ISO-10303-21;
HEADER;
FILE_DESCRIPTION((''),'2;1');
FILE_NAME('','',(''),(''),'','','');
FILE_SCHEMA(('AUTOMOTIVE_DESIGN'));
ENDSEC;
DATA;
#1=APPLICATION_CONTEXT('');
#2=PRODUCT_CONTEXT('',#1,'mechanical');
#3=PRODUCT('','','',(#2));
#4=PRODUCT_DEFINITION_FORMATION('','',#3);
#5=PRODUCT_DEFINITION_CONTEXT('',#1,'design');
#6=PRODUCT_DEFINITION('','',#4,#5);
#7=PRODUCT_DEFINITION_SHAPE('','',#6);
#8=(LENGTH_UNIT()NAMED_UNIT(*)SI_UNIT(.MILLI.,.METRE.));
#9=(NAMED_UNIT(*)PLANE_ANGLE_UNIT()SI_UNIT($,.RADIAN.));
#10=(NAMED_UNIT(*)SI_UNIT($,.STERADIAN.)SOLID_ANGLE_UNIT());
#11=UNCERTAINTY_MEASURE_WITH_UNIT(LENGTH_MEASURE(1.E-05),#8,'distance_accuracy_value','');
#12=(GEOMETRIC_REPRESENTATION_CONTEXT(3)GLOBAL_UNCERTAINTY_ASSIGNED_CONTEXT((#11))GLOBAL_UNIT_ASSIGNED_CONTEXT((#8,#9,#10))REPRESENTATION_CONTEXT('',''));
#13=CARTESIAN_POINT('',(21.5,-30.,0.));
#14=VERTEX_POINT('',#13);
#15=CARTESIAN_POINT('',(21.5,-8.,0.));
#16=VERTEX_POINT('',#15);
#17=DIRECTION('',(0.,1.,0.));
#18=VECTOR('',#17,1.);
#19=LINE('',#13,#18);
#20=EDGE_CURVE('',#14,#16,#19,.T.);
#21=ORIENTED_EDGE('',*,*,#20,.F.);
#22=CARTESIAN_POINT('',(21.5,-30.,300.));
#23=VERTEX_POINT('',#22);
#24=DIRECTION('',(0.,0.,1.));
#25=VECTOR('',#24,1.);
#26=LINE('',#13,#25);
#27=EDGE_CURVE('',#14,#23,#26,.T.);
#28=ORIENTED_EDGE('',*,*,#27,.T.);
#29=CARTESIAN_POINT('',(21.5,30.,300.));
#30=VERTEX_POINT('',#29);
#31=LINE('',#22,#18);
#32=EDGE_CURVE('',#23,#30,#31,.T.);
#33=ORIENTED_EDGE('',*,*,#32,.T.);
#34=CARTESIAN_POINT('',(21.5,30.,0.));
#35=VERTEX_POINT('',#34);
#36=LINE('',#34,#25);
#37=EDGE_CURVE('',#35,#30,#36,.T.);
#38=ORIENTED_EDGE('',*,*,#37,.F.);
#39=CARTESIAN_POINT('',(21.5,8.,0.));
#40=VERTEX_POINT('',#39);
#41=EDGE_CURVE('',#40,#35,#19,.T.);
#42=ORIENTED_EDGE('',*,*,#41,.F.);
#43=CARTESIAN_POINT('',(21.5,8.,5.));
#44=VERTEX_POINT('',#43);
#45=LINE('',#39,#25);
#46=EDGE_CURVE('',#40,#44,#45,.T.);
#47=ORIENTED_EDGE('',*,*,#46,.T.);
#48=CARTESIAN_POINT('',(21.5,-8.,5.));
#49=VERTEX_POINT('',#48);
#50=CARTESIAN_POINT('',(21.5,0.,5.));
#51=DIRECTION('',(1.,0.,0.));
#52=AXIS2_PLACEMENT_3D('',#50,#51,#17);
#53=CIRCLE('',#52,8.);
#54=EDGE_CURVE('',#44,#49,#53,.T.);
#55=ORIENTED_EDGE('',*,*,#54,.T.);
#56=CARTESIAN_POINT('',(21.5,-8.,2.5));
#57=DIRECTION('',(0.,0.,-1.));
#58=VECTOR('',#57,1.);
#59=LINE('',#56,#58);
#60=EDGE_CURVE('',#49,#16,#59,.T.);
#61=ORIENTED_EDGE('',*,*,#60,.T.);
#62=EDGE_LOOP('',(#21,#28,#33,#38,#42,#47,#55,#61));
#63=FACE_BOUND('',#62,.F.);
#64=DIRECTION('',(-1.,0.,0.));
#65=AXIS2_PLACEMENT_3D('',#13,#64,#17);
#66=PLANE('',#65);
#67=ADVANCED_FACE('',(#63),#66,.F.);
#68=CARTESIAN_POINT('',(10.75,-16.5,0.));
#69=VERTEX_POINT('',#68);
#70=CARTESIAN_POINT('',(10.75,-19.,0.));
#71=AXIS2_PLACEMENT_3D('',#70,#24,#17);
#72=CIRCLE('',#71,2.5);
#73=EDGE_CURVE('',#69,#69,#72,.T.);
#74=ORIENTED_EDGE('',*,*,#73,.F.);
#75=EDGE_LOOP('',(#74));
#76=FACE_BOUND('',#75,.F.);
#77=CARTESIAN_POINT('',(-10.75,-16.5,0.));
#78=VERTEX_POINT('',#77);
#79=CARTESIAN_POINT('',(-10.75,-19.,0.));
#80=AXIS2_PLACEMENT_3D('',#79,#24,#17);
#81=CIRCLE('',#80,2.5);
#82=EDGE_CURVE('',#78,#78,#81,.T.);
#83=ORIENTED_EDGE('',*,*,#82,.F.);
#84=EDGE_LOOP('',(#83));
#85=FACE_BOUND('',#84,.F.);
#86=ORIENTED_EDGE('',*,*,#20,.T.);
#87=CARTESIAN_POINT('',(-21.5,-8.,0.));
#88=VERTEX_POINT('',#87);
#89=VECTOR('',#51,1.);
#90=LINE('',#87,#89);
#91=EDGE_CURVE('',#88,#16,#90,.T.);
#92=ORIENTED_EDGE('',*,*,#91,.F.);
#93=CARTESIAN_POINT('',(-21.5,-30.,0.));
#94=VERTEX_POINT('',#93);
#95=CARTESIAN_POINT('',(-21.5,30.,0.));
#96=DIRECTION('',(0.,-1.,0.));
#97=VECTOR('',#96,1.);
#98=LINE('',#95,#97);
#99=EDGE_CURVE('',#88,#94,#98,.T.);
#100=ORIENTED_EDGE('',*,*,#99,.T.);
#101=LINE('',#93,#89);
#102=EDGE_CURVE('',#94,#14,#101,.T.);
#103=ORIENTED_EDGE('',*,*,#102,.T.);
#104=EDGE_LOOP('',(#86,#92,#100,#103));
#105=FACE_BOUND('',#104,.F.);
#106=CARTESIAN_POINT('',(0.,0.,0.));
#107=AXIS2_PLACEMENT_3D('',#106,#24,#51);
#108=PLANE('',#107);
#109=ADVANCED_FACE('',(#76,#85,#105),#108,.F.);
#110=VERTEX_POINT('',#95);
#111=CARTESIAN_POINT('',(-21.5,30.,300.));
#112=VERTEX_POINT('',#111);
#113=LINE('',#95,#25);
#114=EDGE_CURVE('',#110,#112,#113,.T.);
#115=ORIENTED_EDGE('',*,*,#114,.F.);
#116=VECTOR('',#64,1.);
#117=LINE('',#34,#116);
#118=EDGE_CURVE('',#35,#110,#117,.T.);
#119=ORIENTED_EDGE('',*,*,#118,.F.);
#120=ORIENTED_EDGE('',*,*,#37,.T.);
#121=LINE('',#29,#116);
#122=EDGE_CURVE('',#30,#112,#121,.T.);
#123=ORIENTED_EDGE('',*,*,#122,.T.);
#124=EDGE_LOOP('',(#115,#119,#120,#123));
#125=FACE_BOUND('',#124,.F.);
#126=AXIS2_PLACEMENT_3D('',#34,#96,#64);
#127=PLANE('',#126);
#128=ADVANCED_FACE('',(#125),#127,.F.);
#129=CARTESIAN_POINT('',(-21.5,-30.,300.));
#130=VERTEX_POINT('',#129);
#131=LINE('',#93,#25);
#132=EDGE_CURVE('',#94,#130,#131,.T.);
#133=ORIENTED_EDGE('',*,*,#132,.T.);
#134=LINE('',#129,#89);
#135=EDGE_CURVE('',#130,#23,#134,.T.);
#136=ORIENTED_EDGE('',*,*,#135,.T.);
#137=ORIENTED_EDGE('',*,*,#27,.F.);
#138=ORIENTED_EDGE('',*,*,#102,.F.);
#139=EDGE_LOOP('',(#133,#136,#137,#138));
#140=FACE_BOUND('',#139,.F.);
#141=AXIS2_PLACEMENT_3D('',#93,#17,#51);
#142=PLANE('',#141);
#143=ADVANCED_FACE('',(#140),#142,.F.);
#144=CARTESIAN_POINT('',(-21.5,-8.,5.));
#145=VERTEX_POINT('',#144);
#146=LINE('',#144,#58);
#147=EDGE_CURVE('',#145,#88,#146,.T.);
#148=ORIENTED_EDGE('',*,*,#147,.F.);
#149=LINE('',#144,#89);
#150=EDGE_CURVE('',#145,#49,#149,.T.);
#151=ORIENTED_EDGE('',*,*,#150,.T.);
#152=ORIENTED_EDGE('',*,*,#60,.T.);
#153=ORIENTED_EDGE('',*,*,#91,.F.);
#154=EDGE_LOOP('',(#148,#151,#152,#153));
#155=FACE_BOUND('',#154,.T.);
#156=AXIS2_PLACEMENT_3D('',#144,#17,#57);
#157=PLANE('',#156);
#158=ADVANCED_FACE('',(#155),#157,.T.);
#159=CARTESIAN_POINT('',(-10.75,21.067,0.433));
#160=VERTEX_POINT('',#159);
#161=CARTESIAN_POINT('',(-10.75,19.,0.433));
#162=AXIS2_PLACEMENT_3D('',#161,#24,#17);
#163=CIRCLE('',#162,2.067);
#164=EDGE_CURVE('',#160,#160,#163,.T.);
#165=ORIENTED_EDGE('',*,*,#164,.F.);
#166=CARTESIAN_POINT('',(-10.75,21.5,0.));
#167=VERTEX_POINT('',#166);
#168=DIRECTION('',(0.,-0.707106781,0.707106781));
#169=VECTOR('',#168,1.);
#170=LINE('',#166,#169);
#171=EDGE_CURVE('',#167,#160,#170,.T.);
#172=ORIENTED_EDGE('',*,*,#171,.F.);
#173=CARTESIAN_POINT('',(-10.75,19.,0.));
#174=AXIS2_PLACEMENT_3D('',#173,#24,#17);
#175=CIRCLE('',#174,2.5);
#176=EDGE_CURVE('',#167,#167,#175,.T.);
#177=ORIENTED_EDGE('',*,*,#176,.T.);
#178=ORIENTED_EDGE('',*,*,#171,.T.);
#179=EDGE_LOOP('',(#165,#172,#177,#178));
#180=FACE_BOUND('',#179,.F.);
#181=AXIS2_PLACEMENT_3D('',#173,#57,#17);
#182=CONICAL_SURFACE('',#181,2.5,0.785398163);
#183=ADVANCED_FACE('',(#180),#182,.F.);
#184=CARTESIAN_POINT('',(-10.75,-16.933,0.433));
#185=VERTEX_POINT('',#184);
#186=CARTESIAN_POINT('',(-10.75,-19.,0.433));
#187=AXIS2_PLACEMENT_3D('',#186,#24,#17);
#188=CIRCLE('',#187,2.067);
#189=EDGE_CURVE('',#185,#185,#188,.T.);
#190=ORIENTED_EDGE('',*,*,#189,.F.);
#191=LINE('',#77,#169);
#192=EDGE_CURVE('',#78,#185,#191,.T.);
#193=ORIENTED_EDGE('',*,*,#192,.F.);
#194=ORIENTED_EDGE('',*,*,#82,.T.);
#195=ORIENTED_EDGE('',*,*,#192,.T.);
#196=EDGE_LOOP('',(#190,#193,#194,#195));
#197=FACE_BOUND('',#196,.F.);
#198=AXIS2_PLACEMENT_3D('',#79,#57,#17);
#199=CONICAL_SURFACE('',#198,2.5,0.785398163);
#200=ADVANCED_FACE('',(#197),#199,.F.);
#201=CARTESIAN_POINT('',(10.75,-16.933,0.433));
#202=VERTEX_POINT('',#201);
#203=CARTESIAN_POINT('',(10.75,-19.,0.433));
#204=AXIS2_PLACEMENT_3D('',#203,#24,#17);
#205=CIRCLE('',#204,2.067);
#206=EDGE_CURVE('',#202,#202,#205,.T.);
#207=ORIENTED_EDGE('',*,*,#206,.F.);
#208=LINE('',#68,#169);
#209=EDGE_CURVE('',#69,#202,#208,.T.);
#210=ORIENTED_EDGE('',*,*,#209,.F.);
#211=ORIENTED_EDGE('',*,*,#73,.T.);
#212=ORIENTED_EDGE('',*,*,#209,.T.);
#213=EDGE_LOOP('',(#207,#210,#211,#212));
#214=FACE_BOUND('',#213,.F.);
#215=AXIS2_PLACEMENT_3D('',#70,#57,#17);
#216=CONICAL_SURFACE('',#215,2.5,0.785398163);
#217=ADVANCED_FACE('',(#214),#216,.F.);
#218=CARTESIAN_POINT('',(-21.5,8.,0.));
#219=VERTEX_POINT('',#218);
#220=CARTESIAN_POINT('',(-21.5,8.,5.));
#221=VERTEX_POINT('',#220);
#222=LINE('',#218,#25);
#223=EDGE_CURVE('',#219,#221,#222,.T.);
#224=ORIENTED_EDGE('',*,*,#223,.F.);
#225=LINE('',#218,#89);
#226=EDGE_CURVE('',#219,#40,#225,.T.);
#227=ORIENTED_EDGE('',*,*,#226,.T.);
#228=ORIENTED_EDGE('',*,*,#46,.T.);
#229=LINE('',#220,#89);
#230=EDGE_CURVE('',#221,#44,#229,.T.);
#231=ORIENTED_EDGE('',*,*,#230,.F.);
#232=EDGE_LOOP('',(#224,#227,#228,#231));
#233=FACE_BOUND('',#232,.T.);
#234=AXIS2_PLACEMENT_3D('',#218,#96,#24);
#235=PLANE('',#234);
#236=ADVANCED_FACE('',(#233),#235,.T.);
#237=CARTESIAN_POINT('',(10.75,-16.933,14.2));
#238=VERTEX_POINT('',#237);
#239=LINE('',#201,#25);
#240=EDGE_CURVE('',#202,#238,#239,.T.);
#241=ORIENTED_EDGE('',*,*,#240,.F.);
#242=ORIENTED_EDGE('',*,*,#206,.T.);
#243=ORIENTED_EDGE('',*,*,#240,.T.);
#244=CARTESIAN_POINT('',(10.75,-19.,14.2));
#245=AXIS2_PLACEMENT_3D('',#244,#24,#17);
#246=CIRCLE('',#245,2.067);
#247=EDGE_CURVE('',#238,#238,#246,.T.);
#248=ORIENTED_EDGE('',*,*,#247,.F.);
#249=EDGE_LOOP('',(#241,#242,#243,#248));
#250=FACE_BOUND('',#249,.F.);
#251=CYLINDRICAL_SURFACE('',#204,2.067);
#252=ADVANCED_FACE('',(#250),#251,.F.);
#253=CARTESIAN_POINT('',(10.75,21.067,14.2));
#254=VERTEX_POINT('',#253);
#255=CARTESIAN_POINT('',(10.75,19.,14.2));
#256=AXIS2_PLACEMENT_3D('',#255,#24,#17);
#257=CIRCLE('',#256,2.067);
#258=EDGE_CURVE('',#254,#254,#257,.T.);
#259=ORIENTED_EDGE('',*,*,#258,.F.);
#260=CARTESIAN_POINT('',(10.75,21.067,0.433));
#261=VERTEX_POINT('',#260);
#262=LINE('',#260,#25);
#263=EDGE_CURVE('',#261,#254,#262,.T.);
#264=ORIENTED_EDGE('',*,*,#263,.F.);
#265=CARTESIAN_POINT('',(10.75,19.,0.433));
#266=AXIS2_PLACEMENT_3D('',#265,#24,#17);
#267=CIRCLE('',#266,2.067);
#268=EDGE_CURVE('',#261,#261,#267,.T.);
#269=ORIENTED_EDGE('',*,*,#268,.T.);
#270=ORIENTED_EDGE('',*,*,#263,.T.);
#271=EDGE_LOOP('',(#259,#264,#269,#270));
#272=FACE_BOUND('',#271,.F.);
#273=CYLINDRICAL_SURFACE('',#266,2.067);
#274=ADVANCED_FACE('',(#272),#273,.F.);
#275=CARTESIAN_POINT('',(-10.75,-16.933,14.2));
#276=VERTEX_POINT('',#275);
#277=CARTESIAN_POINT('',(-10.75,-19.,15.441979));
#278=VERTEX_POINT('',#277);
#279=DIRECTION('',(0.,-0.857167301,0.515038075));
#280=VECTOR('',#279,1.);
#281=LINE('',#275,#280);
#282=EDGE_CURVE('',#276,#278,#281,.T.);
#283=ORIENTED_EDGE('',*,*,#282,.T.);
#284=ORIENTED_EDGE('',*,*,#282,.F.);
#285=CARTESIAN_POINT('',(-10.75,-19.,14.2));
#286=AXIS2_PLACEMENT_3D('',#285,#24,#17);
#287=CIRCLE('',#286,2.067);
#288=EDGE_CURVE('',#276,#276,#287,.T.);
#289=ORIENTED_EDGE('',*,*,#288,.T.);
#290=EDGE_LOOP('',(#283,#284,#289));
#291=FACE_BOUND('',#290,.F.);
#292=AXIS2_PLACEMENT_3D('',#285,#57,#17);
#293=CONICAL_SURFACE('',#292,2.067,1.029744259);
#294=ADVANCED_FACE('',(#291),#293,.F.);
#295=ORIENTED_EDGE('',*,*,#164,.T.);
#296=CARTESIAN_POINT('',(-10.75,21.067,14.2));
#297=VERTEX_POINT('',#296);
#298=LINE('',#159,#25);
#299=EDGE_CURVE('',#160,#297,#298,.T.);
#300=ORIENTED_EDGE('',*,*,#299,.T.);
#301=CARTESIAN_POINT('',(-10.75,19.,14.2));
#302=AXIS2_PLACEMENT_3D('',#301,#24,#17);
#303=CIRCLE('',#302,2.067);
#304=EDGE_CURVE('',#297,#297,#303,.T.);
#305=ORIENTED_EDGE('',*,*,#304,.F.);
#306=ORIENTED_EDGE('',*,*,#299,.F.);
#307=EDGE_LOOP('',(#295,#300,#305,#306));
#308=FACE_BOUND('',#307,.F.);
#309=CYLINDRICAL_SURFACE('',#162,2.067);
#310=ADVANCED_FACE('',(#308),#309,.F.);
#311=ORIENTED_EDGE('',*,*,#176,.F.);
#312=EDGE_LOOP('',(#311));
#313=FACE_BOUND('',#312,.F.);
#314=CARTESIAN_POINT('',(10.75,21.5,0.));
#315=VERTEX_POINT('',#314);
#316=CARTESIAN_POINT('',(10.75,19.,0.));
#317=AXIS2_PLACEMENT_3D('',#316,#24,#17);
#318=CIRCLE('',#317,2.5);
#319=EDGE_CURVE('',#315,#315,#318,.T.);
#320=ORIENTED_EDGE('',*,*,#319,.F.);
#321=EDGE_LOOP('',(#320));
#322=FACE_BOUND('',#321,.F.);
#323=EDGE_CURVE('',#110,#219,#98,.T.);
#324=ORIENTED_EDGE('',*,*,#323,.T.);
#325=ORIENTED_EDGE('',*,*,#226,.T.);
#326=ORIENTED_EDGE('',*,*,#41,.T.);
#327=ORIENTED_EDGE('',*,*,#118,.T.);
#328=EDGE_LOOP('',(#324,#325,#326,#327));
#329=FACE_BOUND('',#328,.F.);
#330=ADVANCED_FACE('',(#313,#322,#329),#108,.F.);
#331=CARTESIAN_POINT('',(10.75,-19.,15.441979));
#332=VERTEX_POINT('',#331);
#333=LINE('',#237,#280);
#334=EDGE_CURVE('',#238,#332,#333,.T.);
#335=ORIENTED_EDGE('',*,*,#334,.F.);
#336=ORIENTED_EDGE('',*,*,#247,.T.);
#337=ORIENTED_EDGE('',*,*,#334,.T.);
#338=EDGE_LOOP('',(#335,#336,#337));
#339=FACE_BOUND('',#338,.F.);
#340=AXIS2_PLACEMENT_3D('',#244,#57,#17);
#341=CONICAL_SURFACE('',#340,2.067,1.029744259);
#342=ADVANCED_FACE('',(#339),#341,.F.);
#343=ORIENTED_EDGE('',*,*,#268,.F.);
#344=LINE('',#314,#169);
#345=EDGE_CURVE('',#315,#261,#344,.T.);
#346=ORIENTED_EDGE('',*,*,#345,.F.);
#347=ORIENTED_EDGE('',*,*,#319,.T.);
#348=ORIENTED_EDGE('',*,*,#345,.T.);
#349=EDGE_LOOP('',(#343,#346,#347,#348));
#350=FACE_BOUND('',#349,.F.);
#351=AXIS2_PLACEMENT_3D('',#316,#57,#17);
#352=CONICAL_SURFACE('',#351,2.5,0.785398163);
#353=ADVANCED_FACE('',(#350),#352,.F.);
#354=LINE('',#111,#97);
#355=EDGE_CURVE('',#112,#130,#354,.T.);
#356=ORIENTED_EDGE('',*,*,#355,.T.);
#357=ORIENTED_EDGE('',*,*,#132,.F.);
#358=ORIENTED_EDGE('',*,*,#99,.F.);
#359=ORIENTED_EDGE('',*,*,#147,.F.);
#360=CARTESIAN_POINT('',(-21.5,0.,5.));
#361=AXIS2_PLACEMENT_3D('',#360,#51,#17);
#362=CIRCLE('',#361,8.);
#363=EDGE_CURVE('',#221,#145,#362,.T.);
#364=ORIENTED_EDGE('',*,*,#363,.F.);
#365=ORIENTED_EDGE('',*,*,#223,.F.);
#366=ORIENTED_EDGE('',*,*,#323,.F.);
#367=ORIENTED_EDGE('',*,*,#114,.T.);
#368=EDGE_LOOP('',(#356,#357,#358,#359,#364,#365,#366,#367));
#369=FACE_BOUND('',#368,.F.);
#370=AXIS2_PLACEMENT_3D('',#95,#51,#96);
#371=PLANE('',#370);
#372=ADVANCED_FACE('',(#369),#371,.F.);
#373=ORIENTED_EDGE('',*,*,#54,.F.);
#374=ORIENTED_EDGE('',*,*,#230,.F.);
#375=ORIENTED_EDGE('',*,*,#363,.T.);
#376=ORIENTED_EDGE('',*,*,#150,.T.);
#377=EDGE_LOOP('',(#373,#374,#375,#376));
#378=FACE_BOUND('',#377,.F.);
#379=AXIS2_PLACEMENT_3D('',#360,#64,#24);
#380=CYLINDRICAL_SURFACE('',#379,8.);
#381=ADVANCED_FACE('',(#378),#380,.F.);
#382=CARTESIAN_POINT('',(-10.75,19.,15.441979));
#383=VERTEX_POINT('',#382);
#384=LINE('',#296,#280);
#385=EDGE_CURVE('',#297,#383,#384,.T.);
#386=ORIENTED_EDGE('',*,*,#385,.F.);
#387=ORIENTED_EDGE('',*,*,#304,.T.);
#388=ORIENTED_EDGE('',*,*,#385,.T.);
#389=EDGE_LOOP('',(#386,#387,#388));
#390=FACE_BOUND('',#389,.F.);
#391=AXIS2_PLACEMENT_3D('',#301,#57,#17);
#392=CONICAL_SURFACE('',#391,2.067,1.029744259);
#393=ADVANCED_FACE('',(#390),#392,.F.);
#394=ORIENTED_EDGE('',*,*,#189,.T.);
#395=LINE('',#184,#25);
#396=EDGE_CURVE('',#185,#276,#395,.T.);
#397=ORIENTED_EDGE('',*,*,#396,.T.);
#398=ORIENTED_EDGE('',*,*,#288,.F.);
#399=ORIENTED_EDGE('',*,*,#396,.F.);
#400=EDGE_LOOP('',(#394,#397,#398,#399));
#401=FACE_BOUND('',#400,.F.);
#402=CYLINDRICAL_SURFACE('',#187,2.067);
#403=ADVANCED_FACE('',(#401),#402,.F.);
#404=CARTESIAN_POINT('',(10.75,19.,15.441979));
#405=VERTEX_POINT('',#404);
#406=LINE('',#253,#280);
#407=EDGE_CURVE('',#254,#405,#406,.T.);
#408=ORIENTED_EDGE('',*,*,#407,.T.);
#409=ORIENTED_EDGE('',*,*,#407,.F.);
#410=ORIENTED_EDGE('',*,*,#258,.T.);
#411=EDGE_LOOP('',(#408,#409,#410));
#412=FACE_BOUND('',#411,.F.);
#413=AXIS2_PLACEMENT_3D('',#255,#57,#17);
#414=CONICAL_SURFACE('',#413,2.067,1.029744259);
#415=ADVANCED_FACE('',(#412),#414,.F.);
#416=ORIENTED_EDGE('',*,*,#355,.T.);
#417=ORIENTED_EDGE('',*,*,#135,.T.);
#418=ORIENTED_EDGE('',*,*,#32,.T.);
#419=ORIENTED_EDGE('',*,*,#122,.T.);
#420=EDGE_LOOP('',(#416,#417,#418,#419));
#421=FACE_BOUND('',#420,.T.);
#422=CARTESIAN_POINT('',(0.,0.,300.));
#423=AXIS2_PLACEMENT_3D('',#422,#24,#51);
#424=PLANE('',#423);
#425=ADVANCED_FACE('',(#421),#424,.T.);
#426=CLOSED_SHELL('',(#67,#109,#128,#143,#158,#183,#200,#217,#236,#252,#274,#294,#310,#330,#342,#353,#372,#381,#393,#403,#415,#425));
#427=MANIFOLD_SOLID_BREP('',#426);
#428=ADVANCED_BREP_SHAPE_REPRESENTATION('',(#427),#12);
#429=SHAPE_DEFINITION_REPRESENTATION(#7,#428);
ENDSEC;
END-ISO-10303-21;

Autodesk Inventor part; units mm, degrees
ref_plane "YZ Plane" through (0, 0, 0) normal (1, 0, 0) x (0, 1, 0)
ref_plane "XZ Plane" through (0, 0, 0) normal (0, 1, 0) x (-1, 0, 0)
ref_plane "XY Plane" through (0, 0, 0) normal (0, 0, 1) x (1, 0, 0)
sketch "Sketch1" plane through (0, 0, 0) normal (0, 0, 1) x (1, 0, 0)
  line L0 (-30.1, 0) -> (30.1, 0) construction
  line L1 (0, 42) -> (0, -42) construction
  line L2 (-21.5, -30) -> (21.5, -30)
  line L3 (21.5, -30) -> (21.5, 30)
  line L4 (21.5, 30) -> (-21.5, 30)
  line L5 (-21.5, 30) -> (-21.5, -30)
  line L6 (-21.5, -30) -> (21.5, 30) construction
  line L7 (21.5, -30) -> (-21.5, 30) construction
  point P0 (0, 0)
  dimension "d0" = 43
  dimension "d1" = 60
extrude "Extrusion1" add sketch "Sketch1" along normal blind 300
sketch "Sketch4" plane through (-21.5, -30, 0) normal (-1, 0, 0) x (0, 0, 1)
  line L0 (0, 60) -> (0, 0) construction
  line L1 (-60, 30) -> (360, 30) construction
  line L2 (0, 38) -> (5, 38)
  line L3 (13, 30) -> (13, 30)
  line L4 (5, 22) -> (0, 22)
  line L5 (0, 22) -> (0, 38)
  arc A0 (13, 30) -> (5, 38) centre (5, 30) ccw
  arc A1 (5, 22) -> (13, 30) centre (5, 30) ccw
  point P0 (0, 30)
  point P1 (13, 22)
  point P2 (13, 38)
  dimension "d7" = 16
  dimension "d8" = 13
  dimension "d9" = 8
extrude "Extrusion3" cut sketch "Sketch4" against normal through all
sketch "Sketch5" plane through (0, 0, 0) normal (0, 0, -1) x (-1, 0, 0)
  line L0 (0, -42) -> (0, 42) construction
  line L1 (-30.1, 0) -> (30.1, 0) construction
  line L2 (-10.75, -19) -> (10.75, -19) construction
  line L3 (10.75, -19) -> (10.75, 19) construction
  line L4 (10.75, 19) -> (-10.75, 19) construction
  line L5 (-10.75, 19) -> (-10.75, -19) construction
  line L6 (-10.75, -19) -> (10.75, 19) construction
  line L7 (10.75, -19) -> (-10.75, 19) construction
  line L8 (21.5, -30) -> (-21.5, -30) projected
  line L9 (-21.5, 30) -> (21.5, 30) projected
  line L10 (21.5, -8) -> (-21.5, -8) construction
  line L11 (-21.5, 8) -> (21.5, 8) construction
  point P0 (0, 0)
  dimension "d12" = 21.5
  dimension "d13" = 38
  dimension "d14" = 60
  dimension "d15" = 16
  dimension "d16" = 43
hole "Hole1" at (10.75, 19, 0) at (-10.75, 19, 0) at (-10.75, -19, 0) at (10.75, -19, 0) direction (0, 0, 1) diameter 4.134 depth 14.2 tip angle 118 countersink diameter 5 countersink angle 90 thread size "M5x0.8" class "6H" standard "ISO Metric profile"
equation "\"d9\" = 0.5 * d7"
equation "\"d12\" = 0.5 * d16"
equation "\"d13\" = 0.5 * d14 + 0.5 * d15"
properties part number "10-002-ARM" material "Aluminum 6061"
